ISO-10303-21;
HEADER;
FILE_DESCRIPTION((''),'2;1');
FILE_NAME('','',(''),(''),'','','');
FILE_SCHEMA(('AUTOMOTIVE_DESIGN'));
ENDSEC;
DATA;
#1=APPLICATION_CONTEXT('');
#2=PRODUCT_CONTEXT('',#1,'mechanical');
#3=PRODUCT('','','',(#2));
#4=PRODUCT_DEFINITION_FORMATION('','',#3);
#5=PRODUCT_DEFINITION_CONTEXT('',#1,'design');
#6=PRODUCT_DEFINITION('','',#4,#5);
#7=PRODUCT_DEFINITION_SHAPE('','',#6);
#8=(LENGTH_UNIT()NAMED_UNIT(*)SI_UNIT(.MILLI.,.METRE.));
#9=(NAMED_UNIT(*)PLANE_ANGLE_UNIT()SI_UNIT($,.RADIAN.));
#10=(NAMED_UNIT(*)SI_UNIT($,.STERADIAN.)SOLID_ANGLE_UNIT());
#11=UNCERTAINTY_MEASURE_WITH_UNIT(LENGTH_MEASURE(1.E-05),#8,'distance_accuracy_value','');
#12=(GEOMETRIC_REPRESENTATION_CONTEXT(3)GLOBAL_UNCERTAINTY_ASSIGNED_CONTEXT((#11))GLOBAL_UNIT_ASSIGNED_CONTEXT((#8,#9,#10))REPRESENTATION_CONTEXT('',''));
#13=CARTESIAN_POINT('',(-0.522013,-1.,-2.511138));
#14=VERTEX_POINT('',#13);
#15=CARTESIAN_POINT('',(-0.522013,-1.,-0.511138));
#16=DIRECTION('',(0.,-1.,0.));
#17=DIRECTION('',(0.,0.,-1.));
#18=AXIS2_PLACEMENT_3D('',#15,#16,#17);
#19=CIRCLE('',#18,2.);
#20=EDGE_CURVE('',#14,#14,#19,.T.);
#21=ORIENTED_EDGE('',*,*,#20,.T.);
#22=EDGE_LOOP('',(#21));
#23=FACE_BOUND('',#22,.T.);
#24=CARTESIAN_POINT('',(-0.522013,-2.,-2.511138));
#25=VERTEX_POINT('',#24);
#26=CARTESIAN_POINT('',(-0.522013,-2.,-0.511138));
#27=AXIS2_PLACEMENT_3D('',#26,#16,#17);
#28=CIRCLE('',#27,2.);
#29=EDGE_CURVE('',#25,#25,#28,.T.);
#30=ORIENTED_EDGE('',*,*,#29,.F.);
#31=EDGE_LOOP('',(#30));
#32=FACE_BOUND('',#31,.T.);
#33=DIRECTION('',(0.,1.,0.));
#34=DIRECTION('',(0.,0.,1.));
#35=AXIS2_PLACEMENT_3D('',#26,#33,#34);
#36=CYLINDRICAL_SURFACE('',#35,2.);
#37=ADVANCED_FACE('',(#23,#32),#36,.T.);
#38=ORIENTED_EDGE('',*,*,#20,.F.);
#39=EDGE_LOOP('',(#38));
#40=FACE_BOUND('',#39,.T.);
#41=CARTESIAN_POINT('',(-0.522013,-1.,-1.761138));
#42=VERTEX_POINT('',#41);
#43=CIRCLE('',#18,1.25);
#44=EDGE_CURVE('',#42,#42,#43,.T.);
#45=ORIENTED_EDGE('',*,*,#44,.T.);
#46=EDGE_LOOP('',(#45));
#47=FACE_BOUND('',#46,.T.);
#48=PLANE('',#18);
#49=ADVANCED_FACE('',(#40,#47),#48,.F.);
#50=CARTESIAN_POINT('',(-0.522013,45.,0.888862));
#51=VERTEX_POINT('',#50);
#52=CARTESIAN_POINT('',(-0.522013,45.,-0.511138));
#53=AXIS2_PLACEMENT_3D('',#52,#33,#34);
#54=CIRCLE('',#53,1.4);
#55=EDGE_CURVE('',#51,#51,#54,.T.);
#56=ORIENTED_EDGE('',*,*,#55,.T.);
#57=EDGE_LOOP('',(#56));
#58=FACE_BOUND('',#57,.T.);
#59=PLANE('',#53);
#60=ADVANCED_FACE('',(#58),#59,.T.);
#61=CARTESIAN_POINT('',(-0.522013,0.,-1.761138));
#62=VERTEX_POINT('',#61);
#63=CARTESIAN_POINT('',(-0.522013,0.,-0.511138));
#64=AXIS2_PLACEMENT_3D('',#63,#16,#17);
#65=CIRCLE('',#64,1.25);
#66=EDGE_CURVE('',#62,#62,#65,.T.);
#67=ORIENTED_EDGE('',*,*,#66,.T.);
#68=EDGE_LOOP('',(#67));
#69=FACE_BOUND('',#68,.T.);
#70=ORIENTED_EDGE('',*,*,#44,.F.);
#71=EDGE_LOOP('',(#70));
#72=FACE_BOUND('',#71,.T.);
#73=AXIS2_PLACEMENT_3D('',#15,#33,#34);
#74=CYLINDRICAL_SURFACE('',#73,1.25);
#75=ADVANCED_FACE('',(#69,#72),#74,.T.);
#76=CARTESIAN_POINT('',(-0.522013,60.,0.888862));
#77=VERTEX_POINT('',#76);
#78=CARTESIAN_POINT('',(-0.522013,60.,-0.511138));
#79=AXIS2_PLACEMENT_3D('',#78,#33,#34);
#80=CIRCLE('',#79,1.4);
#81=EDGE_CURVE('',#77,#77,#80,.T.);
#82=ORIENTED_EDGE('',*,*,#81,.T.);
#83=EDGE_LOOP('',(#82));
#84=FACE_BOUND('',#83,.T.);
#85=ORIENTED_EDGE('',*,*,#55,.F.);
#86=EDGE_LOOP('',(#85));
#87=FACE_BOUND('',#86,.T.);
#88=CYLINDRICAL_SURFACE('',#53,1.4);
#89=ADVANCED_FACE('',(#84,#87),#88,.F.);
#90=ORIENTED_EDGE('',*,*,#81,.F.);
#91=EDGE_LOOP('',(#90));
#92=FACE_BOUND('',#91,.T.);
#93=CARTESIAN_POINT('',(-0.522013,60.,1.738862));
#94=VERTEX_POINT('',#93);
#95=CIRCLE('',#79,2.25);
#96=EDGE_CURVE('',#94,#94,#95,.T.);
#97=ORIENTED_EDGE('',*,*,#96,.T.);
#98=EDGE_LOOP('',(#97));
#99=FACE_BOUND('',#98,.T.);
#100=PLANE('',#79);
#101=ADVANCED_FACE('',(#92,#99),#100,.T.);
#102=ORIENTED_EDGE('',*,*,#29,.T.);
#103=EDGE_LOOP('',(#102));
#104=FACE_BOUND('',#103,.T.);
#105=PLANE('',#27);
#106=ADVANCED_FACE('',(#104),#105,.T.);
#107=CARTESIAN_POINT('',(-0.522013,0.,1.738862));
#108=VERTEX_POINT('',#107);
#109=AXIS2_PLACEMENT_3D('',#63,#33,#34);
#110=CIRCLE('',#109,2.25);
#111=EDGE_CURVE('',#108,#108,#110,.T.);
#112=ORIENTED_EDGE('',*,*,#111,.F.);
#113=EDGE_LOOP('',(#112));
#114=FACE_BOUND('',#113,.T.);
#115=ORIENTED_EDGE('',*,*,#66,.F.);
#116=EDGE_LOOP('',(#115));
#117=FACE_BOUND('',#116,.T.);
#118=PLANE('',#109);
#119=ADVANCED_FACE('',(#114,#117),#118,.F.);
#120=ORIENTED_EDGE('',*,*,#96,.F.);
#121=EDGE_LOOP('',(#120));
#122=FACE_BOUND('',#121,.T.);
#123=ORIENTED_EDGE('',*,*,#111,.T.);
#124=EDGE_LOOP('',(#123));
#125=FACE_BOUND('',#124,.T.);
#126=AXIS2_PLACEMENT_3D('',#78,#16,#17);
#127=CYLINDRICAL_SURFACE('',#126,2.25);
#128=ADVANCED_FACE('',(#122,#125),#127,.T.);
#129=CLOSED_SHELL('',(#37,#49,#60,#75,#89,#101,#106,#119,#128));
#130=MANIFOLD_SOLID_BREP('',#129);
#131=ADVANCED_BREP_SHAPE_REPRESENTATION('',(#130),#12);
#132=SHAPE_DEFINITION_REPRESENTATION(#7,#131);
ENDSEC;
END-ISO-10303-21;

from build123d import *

# Parameters (mm, degrees)
SKETCH1_R           = 2.25
BOSS_EXTRUDE1_DEPTH = 60
SKETCH1_3_R         = 1.375
BOSS_EXTRUDE2_DEPTH = 1
SKETCH5_R           = 1.25
BOSS_EXTRUDE3_DEPTH = 1
SKETCH6_R           = 2
BOSS_EXTRUDE4_DEPTH = 1
SKETCH12_R          = 1.4
CUT_EXTRUDE1_DEPTH  = 15


with BuildPart() as part:
    # Sketch1 → Boss-Extrude1 (new body)
    with BuildSketch(Plane(origin=(0, 0, 0), x_dir=(1, 0, 0), z_dir=(0, 1, 0))):
        with Locations((-0.522013312, 0.511138034)):
            Circle(SKETCH1_R)
    extrude(amount=BOSS_EXTRUDE1_DEPTH)

    # Sketch1<3> → Boss-Extrude2 (add)
    with BuildSketch(Plane(origin=(0, 0, 0), x_dir=(1, 0, 0), z_dir=(0, 1, 0))):
        with Locations((-0.522013312, 0.511138034)):
            Circle(SKETCH1_3_R)
    extrude(amount=BOSS_EXTRUDE2_DEPTH)

    # Sketch5 → Boss-Extrude3 (add)
    with BuildSketch(Plane.XZ):
        with Locations((-0.522013312, -0.511138034)):
            Circle(SKETCH5_R)
    extrude(amount=BOSS_EXTRUDE3_DEPTH)

    # Sketch6 → Boss-Extrude4 (add)
    with BuildSketch(Plane.XZ.offset(1)):
        with Locations((-0.522013312, -0.511138034)):
            Circle(SKETCH6_R)
    extrude(amount=BOSS_EXTRUDE4_DEPTH)

    # Sketch12 → Cut-Extrude1 (cut)
    with BuildSketch(Plane(origin=(0, 60, 0), x_dir=(1, 0, 0), z_dir=(0, 1, 0))):
        with Locations((-0.522013312, 0.511138034)):
            Circle(SKETCH12_R)
    extrude(amount=-CUT_EXTRUDE1_DEPTH, mode=Mode.SUBTRACT)


solid = part.part
